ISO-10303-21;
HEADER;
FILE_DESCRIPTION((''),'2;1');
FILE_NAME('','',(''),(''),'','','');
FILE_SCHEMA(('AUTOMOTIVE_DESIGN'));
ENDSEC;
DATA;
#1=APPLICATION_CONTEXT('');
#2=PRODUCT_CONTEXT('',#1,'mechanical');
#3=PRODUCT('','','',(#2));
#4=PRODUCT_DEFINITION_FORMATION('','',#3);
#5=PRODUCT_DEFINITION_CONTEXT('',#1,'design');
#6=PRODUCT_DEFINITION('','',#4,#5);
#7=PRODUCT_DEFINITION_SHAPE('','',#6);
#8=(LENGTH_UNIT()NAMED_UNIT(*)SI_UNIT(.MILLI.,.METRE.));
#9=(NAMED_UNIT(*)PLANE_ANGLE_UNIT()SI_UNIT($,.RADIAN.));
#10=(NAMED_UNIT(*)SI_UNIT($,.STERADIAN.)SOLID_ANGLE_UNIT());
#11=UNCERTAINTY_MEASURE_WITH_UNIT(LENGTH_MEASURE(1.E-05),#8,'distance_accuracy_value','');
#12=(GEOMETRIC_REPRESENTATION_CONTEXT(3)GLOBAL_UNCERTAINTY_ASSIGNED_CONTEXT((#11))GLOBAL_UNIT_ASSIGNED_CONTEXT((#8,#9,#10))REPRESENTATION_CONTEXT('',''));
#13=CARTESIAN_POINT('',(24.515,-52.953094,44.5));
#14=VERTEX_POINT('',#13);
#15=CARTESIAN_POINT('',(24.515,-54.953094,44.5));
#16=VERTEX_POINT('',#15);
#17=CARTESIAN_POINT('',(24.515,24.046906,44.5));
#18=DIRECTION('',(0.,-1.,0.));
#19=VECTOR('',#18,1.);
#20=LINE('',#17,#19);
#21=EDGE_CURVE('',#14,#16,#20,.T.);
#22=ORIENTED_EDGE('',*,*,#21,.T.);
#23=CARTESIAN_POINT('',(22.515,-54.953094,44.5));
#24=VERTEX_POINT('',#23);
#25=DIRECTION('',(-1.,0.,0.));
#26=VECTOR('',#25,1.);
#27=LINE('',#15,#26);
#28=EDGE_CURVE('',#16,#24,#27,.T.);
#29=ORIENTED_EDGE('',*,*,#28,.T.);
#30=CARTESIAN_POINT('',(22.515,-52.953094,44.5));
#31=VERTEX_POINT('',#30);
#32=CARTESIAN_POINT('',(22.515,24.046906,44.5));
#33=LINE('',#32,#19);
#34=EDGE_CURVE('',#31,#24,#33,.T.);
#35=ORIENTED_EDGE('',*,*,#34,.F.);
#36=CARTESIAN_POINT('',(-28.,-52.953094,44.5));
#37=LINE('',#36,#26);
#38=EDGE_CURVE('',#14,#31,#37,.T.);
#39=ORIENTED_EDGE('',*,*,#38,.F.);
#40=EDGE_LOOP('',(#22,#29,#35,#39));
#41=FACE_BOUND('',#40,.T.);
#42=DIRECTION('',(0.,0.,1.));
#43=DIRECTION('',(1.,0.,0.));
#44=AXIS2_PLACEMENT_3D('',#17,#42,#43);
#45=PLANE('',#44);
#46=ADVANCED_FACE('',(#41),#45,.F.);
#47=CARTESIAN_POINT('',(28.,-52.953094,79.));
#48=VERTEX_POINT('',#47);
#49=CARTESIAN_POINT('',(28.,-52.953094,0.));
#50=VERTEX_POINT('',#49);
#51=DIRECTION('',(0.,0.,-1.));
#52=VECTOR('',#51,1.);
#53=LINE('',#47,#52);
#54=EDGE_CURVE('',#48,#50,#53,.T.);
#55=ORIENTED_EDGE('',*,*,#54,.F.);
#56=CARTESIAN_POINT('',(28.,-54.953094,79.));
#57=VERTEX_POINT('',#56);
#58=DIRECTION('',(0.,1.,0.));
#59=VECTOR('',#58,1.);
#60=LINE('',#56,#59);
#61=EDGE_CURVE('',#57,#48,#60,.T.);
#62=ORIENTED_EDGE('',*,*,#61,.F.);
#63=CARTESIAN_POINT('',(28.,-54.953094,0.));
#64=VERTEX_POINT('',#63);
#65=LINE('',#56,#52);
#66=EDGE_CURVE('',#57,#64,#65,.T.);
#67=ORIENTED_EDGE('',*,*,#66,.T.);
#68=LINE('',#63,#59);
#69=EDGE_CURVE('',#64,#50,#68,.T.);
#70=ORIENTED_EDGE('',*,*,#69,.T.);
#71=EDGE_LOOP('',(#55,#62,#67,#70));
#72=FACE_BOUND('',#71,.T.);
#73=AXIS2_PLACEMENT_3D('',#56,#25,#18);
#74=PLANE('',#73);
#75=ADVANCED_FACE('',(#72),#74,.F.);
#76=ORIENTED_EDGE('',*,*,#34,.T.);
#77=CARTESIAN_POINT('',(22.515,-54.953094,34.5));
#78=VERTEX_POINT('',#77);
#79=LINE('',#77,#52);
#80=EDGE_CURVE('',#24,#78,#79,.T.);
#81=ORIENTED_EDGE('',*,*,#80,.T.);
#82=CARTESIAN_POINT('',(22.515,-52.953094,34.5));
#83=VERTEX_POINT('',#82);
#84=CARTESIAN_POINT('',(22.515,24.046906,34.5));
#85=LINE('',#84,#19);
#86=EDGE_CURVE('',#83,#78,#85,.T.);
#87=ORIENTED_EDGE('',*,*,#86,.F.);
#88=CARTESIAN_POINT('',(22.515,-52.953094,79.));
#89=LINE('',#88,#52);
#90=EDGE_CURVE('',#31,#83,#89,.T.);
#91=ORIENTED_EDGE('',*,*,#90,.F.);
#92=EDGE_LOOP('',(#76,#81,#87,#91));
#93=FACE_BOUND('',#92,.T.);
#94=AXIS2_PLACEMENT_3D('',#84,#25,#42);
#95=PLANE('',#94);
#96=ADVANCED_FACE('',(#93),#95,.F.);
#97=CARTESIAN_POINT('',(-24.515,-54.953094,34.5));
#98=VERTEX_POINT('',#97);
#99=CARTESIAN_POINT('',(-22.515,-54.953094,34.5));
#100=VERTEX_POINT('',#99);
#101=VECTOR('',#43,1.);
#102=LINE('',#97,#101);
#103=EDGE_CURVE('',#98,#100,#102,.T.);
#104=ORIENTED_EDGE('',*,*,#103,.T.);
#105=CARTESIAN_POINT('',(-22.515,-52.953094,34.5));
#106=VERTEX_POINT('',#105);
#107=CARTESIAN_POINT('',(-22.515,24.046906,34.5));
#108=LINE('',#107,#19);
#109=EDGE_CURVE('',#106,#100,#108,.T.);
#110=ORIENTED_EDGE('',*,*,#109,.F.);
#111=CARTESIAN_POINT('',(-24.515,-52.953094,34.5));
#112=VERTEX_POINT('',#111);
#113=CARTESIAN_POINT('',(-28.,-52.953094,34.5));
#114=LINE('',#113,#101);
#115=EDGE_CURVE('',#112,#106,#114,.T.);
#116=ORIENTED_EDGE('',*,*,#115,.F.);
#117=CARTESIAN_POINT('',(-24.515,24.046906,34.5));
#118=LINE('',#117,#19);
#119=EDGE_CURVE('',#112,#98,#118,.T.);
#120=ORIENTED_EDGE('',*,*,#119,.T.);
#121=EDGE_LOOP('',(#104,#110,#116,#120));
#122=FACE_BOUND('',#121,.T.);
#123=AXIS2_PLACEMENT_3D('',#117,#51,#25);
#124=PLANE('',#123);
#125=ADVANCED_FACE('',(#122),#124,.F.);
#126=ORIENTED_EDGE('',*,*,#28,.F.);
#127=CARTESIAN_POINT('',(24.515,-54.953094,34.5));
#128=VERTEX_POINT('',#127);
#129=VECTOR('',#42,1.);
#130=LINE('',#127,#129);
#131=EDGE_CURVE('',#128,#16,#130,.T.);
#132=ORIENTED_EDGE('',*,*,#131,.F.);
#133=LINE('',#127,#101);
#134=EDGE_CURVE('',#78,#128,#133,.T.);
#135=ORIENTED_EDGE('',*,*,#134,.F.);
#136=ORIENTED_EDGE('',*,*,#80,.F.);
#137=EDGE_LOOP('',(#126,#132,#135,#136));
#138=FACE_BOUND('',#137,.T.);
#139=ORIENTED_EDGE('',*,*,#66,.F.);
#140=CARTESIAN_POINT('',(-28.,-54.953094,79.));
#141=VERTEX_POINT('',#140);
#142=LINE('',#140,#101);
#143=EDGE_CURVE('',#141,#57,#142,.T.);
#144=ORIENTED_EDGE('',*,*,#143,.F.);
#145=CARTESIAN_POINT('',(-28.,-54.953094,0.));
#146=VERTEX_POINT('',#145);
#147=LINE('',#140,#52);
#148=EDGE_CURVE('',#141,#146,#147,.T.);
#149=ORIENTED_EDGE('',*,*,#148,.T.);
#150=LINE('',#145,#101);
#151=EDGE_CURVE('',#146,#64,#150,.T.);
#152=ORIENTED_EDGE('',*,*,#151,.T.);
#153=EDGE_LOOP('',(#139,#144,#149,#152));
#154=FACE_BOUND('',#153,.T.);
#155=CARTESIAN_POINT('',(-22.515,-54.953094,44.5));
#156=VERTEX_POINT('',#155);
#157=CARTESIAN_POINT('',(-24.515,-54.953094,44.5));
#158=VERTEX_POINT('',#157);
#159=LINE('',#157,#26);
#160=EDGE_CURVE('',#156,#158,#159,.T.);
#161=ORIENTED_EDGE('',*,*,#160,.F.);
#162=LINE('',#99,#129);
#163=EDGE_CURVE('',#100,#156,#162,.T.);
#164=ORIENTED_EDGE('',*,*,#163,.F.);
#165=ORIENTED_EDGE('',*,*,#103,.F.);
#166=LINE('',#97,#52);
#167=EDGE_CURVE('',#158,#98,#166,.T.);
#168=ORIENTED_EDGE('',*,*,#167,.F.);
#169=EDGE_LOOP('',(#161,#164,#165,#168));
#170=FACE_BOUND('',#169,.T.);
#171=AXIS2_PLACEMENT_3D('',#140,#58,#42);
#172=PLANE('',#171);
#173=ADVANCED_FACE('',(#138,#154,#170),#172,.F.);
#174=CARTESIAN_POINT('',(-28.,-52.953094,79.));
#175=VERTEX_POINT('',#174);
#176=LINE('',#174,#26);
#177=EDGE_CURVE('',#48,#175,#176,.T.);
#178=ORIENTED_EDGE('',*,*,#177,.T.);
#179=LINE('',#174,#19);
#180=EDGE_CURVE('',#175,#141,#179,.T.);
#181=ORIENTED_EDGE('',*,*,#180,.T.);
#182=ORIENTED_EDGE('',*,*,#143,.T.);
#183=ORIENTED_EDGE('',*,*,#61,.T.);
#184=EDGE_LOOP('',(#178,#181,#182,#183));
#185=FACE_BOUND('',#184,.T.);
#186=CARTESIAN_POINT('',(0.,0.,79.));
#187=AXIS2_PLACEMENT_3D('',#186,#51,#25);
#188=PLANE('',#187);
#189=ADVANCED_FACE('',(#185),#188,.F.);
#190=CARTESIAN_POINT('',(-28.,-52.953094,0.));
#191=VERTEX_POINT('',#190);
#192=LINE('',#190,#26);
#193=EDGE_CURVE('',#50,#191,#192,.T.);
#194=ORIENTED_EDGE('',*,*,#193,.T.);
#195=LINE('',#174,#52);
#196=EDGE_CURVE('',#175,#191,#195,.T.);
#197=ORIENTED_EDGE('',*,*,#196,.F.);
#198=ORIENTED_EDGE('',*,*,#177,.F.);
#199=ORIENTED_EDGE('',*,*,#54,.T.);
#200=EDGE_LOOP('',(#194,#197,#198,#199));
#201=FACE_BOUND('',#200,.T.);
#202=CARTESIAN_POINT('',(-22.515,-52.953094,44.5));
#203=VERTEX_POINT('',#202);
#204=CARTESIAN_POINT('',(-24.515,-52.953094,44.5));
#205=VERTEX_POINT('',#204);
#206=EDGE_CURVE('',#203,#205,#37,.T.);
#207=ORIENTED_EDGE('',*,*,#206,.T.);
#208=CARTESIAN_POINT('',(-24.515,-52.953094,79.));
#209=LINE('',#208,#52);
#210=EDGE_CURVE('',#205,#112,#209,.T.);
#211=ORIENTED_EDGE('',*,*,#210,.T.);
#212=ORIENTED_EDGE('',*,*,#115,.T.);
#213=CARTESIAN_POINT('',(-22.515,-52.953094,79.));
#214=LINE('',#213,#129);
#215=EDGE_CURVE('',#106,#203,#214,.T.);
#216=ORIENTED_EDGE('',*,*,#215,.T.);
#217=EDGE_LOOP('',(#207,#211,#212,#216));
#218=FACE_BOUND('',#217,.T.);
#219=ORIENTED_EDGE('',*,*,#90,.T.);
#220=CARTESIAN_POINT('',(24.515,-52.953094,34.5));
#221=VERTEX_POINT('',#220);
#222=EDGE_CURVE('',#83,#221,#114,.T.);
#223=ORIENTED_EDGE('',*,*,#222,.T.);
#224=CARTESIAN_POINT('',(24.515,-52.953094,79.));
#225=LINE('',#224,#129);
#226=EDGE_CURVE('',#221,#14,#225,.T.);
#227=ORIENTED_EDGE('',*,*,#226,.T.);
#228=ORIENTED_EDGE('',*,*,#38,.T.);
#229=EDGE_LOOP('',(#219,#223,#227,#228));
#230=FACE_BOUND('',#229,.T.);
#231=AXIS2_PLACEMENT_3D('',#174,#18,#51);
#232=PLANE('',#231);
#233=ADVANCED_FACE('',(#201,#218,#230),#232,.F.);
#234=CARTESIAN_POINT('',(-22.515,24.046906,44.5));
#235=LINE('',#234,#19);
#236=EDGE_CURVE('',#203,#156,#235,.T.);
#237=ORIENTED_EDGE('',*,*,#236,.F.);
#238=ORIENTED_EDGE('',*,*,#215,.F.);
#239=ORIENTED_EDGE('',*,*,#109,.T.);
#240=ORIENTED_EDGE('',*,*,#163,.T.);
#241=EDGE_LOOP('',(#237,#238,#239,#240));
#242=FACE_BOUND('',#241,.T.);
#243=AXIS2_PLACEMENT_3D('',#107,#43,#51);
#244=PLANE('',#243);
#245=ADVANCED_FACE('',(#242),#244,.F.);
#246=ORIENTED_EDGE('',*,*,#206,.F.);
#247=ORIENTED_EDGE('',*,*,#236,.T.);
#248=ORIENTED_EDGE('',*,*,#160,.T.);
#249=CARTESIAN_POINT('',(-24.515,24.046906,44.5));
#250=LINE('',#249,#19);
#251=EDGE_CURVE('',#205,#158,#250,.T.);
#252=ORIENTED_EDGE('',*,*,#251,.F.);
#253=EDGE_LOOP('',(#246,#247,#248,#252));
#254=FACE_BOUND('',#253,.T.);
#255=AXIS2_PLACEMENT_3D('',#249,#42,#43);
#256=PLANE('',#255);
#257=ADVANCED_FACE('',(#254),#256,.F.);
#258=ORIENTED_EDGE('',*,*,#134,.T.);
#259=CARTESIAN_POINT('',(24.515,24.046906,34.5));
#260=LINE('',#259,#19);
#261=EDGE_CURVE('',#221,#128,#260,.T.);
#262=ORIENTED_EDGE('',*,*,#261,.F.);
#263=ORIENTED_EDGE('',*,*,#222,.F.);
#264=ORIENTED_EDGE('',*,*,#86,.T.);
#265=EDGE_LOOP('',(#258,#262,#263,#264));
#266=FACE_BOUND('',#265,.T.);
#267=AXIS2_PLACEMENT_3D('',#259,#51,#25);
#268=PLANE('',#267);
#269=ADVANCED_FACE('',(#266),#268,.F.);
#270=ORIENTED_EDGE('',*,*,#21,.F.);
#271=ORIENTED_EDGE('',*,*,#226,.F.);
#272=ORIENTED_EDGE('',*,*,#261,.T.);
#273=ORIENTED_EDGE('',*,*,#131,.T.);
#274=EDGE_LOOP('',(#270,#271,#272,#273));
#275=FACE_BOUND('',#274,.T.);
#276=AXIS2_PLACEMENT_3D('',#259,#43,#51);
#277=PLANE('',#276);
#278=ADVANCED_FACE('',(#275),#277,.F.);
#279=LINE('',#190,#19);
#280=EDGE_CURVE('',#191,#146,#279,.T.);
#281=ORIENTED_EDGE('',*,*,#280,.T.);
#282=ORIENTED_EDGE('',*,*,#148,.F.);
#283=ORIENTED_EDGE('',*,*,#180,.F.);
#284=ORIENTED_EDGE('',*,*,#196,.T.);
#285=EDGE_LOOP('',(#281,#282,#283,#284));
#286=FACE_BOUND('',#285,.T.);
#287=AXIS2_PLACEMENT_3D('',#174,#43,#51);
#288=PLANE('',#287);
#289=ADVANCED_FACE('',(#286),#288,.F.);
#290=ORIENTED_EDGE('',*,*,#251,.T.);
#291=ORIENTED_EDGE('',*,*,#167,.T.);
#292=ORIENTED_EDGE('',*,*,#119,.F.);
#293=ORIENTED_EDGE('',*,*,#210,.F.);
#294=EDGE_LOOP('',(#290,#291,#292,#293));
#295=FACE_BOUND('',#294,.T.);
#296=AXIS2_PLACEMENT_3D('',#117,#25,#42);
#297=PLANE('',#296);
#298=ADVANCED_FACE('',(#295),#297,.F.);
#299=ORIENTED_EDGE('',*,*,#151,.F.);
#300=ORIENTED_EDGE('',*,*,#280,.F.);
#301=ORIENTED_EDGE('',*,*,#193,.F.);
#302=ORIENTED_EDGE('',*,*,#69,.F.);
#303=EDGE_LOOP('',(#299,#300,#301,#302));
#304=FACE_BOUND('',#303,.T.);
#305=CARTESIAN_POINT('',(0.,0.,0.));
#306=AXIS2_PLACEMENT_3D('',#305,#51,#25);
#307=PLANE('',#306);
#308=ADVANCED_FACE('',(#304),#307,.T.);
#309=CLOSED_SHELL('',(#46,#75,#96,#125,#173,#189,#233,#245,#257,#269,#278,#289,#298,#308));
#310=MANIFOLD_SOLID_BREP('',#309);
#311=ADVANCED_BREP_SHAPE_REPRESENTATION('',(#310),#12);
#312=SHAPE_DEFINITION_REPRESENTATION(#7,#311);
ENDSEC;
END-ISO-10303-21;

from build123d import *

# Parameters (mm, degrees)
SKETCH_1_W          = 56
SKETCH_1_H          = 2
EXTRUDE_1_DEPTH     = 79
SKETCH_3_W          = 2
SKETCH_3_H          = 10
CUT_EXTRUDE_1_DEPTH = 79


with BuildPart() as part:
    # 草图1 → 凸台-拉伸1 (new body)
    with BuildSketch(Plane.XY):
        with Locations((0, -53.953094154)):
            Rectangle(SKETCH_1_W, SKETCH_1_H)
    extrude(amount=EXTRUDE_1_DEPTH)

    # 草图3 → 切除-拉伸1 (cut)
    with BuildSketch(Plane.XZ.offset(54.953094154)):
        with Locations((-23.515, 39.5)):
            Rectangle(SKETCH_3_W, SKETCH_3_H)
        with Locations((23.515, 39.5)):
            Rectangle(SKETCH_3_W, SKETCH_3_H)
    extrude(amount=-CUT_EXTRUDE_1_DEPTH, mode=Mode.SUBTRACT)


solid = part.part
